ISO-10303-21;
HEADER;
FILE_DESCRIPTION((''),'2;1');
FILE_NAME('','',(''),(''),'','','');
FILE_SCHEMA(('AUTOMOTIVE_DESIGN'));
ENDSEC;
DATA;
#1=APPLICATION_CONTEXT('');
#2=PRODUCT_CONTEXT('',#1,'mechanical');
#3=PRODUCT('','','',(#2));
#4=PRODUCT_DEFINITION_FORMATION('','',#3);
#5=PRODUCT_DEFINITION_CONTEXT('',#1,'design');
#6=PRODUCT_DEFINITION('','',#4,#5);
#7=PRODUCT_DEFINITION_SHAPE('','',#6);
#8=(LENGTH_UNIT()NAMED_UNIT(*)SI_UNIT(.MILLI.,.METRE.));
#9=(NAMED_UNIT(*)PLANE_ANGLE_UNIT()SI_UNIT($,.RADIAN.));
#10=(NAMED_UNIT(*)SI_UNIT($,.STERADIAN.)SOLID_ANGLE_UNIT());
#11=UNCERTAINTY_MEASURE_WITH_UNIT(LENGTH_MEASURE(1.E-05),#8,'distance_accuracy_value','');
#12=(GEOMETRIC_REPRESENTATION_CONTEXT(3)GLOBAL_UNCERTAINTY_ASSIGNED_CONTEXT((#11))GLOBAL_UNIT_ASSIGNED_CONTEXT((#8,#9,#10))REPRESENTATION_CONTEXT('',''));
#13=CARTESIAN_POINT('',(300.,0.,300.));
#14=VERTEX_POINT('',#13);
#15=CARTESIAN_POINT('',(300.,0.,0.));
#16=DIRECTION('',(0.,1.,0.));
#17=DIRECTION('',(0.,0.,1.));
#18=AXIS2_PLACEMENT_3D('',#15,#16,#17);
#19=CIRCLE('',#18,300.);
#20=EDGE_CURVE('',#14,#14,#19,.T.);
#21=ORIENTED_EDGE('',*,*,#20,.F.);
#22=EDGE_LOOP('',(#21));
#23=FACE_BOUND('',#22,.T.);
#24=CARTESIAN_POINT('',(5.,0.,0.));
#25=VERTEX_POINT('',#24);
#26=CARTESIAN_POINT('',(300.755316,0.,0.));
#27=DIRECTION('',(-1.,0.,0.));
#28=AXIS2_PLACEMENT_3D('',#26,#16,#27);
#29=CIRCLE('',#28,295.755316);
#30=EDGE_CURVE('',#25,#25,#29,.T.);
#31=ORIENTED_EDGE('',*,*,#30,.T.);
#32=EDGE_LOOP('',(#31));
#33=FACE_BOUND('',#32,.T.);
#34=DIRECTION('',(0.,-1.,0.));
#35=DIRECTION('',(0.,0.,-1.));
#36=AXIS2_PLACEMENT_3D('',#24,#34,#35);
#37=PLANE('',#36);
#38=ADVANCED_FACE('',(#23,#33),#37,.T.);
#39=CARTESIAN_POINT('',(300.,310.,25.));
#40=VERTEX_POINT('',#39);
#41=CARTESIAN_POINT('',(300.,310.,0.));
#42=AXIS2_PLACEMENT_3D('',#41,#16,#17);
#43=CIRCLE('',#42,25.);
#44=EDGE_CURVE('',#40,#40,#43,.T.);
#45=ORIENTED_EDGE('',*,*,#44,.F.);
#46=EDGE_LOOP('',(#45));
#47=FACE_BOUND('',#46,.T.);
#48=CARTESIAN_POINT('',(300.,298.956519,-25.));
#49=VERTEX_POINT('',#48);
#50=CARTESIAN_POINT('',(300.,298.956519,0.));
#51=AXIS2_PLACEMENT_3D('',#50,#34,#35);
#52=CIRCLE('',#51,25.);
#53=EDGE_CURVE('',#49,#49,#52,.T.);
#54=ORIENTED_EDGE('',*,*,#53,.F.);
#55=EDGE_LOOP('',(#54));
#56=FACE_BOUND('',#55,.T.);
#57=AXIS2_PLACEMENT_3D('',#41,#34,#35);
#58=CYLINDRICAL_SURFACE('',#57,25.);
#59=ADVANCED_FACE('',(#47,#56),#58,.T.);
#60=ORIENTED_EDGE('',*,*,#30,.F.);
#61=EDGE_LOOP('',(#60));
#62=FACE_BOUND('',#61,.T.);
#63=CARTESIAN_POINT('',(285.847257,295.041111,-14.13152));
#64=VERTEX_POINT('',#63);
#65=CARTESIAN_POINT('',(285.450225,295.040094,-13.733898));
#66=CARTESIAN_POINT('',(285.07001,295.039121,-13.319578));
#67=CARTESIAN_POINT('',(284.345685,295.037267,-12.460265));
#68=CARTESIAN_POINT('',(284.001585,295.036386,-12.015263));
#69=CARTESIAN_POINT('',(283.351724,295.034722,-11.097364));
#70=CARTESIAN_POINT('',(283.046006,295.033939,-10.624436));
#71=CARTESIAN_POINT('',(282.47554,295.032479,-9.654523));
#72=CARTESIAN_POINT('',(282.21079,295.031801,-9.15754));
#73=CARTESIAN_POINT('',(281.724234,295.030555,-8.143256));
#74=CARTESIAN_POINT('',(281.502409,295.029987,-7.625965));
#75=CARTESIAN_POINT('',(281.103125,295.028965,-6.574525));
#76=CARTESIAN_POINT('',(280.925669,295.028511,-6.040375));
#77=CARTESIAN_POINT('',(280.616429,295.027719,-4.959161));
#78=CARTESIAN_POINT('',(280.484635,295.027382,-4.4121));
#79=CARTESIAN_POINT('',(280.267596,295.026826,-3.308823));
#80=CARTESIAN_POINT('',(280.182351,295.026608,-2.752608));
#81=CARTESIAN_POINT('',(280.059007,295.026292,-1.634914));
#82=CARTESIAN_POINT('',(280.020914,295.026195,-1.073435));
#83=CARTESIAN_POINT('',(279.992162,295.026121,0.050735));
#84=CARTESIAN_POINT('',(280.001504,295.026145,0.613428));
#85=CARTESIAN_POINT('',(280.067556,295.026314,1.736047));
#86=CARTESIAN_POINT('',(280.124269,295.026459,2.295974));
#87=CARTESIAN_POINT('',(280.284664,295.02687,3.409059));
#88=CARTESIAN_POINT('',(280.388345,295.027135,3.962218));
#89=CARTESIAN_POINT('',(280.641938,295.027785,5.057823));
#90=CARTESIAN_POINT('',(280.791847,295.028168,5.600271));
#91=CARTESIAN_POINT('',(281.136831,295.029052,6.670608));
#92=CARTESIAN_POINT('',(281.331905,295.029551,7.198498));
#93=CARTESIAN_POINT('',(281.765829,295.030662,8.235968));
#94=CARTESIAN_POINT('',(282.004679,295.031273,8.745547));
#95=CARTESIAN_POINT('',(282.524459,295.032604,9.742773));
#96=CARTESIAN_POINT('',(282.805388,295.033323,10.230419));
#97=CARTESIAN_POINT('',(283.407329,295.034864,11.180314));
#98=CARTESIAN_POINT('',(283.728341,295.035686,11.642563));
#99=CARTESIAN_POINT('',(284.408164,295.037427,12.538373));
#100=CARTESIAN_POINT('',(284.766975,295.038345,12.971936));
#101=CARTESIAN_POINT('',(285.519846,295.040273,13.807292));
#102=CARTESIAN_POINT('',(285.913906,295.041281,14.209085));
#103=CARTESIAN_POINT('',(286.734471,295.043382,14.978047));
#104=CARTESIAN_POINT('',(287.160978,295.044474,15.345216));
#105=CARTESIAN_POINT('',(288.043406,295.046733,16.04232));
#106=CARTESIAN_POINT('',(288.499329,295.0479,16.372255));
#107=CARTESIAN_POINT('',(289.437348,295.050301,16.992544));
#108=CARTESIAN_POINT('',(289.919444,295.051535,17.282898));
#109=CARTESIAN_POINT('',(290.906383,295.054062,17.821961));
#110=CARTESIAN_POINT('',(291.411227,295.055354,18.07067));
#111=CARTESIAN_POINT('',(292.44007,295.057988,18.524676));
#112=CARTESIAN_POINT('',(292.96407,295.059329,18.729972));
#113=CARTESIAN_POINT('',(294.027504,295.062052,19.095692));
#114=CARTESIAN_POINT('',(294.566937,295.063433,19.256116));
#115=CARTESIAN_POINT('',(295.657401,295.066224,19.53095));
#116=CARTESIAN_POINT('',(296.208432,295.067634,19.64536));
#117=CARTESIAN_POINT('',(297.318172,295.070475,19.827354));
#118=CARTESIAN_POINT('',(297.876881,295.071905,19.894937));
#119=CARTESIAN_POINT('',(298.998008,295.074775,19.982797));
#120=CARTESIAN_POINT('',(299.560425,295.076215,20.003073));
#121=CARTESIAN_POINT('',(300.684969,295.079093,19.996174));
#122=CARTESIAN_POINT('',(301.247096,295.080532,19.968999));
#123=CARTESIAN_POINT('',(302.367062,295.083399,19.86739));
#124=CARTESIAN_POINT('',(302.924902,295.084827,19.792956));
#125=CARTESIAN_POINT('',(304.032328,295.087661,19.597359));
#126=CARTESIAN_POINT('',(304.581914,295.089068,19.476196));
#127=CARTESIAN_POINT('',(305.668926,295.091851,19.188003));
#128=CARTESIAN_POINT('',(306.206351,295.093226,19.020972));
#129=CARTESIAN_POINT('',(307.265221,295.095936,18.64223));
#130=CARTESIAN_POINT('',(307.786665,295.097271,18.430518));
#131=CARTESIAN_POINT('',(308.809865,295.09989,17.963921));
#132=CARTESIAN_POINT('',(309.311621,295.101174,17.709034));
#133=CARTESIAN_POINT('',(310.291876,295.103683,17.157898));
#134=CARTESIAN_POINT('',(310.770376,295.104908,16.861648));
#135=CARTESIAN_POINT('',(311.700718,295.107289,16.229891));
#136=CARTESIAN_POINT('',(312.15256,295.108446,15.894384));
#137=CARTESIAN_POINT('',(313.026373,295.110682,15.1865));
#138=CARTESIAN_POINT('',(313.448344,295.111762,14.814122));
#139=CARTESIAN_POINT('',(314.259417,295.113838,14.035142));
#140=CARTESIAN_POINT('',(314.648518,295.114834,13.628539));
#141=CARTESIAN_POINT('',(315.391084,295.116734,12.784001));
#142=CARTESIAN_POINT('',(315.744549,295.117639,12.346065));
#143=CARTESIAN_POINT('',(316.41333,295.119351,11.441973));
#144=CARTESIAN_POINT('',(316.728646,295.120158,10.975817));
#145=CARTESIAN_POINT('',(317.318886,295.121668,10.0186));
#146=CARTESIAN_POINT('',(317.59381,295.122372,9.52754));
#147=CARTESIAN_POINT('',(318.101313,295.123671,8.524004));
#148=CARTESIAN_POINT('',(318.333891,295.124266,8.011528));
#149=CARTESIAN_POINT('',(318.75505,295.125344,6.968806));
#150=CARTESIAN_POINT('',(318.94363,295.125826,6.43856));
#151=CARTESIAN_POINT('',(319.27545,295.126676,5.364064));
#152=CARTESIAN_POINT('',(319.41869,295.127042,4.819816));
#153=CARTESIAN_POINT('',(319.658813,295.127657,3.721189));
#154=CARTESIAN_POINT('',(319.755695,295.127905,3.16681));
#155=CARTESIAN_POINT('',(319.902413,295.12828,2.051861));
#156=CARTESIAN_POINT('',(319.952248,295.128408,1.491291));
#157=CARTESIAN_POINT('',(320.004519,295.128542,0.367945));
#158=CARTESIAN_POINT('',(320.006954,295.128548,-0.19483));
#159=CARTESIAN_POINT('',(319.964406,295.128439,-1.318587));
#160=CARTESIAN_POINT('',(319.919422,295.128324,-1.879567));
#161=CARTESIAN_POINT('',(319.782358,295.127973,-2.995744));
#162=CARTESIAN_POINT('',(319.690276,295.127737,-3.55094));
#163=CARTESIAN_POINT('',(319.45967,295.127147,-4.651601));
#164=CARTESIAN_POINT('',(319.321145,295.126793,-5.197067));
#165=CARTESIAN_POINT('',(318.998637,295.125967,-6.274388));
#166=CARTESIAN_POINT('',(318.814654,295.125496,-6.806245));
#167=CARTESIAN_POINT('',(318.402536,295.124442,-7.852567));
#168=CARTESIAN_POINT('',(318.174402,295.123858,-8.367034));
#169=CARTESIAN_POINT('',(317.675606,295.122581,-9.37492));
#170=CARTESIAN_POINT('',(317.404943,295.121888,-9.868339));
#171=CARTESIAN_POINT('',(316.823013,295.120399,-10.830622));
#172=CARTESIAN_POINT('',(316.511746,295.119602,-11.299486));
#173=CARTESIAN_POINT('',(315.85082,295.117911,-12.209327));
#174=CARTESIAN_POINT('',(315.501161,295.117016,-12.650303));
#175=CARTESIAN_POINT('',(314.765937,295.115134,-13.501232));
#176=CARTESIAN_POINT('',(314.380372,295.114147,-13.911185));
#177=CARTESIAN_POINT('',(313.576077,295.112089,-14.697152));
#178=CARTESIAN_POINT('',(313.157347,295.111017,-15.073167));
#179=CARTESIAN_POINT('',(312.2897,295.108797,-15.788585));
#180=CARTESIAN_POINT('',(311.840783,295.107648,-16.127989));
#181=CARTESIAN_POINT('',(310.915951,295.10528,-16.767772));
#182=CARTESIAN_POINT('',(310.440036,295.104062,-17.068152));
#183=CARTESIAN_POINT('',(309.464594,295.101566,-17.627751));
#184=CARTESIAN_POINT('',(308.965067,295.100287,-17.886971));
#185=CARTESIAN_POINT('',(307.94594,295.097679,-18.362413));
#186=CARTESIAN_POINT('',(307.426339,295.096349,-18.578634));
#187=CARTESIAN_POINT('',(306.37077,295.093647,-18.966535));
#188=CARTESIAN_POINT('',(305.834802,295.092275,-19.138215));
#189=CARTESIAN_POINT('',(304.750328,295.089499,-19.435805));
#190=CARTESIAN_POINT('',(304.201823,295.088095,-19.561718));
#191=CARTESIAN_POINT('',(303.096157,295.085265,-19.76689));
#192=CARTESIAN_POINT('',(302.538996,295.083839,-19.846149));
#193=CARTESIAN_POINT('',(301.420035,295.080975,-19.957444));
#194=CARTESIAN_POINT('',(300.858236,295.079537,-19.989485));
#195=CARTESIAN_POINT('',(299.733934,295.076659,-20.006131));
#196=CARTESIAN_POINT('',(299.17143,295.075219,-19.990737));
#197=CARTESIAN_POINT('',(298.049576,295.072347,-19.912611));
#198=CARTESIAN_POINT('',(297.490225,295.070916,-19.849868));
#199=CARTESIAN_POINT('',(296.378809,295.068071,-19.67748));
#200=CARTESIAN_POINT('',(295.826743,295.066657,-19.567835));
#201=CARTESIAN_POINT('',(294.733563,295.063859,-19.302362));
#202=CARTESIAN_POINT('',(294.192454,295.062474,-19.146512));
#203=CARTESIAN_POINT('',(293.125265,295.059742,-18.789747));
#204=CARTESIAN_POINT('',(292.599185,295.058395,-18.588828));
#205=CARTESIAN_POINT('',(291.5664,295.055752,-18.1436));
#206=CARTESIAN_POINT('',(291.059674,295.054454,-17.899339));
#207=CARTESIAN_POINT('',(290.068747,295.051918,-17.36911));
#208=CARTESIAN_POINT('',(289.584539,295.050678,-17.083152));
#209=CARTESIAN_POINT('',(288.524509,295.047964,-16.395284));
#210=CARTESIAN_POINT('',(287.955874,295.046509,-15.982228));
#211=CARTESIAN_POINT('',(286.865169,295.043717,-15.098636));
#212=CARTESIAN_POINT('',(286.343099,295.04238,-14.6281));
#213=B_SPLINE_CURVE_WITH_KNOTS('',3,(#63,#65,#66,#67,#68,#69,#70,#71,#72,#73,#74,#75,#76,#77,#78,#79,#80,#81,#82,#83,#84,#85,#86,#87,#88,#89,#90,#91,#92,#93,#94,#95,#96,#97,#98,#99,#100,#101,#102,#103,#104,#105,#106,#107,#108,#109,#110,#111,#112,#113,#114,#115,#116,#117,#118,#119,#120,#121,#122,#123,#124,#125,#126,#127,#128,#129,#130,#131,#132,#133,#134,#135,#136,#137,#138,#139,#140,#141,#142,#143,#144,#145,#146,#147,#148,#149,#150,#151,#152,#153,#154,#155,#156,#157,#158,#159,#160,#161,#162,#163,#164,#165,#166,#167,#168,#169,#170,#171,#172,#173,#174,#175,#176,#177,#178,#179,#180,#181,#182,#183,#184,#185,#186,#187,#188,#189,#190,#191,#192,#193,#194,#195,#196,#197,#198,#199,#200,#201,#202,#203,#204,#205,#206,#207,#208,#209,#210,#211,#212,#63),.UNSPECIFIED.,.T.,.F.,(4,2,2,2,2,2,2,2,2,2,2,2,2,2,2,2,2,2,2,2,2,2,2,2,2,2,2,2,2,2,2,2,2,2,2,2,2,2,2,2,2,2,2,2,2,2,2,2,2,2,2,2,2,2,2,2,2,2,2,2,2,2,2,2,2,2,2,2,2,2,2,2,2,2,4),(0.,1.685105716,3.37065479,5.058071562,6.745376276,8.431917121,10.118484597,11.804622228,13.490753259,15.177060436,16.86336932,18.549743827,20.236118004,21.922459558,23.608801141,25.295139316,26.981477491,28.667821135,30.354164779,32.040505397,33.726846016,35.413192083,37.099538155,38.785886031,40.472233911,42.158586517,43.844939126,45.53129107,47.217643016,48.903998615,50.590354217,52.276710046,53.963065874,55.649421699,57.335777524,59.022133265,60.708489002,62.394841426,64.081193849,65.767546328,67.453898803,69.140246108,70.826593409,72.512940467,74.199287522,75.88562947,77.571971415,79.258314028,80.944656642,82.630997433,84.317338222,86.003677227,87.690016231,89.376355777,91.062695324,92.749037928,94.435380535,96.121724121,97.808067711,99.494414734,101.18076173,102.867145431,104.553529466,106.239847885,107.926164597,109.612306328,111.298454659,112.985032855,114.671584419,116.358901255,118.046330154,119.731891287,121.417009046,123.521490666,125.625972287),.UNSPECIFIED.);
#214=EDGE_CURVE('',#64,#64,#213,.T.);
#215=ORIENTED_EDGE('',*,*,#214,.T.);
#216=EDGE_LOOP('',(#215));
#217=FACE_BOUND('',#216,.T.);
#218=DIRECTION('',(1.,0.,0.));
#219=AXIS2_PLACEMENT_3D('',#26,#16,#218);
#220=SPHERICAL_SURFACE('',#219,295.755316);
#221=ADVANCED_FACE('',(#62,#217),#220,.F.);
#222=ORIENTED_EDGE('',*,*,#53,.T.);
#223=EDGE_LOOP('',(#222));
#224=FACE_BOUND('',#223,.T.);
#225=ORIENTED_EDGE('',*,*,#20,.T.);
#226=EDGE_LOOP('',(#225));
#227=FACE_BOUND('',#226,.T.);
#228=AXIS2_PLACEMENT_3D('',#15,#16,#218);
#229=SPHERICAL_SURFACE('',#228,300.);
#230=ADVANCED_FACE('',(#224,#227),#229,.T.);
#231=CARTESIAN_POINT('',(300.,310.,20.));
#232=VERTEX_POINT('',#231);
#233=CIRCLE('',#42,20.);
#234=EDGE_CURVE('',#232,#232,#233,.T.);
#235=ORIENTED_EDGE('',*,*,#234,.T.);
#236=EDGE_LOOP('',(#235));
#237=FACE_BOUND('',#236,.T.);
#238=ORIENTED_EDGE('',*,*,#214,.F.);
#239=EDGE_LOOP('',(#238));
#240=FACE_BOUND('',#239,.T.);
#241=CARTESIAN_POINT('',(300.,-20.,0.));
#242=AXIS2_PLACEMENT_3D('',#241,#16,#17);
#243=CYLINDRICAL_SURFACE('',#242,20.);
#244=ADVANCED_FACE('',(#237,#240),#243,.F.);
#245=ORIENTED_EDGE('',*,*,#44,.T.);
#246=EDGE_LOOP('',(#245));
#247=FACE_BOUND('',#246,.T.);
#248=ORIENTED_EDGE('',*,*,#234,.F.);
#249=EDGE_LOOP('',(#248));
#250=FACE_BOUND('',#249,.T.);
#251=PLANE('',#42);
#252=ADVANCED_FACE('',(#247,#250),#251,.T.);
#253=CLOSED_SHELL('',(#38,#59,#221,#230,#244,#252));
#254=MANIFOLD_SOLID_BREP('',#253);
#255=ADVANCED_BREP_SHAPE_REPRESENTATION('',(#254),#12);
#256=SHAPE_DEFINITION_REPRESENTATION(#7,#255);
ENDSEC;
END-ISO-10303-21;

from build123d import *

# Parameters (mm, degrees)
SKETCH3_R           = 25
BOSS_EXTRUDE1_DEPTH = 310
SKETCH6_R           = 20
CUT_EXTRUDE2_DEPTH  = 330


with BuildPart() as part:
    # Sketch1 → Revolve1 (revolve)
    with BuildSketch(Plane.XY, mode=Mode.PRIVATE) as revolve1_sk:
        with BuildLine():
            Line((5, 0), (0, 0))
            ThreePointArc((0, 0), (87.867965644, 212.132034356), (300, 300))
            Line((300, 300), (300, 295))
            ThreePointArc((300, 295), (91.40349955, 208.59650045), (5, 0))
        make_face()
    revolve(revolve1_sk.sketch.rotate(Axis((300, 300, 0), (0, -1, 0)), 180), axis=Axis((300, 300, 0), (0, -1, 0)))

    # Sketch3 → Boss-Extrude1 (add)
    with BuildSketch(Plane(origin=(0, 0, 0), x_dir=(1, 0, 0), z_dir=(0, 1, 0))):
        with Locations(Location((300, 0, 0), (0, 0, 270))):
            Circle(SKETCH3_R)
    extrude(amount=BOSS_EXTRUDE1_DEPTH)

    # Sketch5 → Cut-Revolve1 (revolve, cut)
    with BuildSketch(Plane.XY, mode=Mode.PRIVATE) as cut_revolve1_sk:
        with BuildLine():
            Line((300.755316248, 295.755316248), (300.755316248, 0))
            Line((300.755316248, 0), (5, 0))
            ThreePointArc((5, 0), (91.624726557, 209.130589691), (300.755316248, 295.755316248))
        make_face()
    revolve(cut_revolve1_sk.sketch.rotate(Axis((300.755316248, 295.755316248, 0), (0, -1, 0)), 180), axis=Axis((300.755316248, 295.755316248, 0), (0, -1, 0)), mode=Mode.SUBTRACT)

    # Sketch6 → Cut-Extrude2 (cut)
    with BuildSketch(Plane(origin=(0, 310, 0), x_dir=(1, 0, 0), z_dir=(0, 1, 0))):
        with Locations(Location((300, 0, 0), (0, 0, 270))):
            Circle(SKETCH6_R)
    extrude(amount=-CUT_EXTRUDE2_DEPTH, mode=Mode.SUBTRACT)


solid = part.part
